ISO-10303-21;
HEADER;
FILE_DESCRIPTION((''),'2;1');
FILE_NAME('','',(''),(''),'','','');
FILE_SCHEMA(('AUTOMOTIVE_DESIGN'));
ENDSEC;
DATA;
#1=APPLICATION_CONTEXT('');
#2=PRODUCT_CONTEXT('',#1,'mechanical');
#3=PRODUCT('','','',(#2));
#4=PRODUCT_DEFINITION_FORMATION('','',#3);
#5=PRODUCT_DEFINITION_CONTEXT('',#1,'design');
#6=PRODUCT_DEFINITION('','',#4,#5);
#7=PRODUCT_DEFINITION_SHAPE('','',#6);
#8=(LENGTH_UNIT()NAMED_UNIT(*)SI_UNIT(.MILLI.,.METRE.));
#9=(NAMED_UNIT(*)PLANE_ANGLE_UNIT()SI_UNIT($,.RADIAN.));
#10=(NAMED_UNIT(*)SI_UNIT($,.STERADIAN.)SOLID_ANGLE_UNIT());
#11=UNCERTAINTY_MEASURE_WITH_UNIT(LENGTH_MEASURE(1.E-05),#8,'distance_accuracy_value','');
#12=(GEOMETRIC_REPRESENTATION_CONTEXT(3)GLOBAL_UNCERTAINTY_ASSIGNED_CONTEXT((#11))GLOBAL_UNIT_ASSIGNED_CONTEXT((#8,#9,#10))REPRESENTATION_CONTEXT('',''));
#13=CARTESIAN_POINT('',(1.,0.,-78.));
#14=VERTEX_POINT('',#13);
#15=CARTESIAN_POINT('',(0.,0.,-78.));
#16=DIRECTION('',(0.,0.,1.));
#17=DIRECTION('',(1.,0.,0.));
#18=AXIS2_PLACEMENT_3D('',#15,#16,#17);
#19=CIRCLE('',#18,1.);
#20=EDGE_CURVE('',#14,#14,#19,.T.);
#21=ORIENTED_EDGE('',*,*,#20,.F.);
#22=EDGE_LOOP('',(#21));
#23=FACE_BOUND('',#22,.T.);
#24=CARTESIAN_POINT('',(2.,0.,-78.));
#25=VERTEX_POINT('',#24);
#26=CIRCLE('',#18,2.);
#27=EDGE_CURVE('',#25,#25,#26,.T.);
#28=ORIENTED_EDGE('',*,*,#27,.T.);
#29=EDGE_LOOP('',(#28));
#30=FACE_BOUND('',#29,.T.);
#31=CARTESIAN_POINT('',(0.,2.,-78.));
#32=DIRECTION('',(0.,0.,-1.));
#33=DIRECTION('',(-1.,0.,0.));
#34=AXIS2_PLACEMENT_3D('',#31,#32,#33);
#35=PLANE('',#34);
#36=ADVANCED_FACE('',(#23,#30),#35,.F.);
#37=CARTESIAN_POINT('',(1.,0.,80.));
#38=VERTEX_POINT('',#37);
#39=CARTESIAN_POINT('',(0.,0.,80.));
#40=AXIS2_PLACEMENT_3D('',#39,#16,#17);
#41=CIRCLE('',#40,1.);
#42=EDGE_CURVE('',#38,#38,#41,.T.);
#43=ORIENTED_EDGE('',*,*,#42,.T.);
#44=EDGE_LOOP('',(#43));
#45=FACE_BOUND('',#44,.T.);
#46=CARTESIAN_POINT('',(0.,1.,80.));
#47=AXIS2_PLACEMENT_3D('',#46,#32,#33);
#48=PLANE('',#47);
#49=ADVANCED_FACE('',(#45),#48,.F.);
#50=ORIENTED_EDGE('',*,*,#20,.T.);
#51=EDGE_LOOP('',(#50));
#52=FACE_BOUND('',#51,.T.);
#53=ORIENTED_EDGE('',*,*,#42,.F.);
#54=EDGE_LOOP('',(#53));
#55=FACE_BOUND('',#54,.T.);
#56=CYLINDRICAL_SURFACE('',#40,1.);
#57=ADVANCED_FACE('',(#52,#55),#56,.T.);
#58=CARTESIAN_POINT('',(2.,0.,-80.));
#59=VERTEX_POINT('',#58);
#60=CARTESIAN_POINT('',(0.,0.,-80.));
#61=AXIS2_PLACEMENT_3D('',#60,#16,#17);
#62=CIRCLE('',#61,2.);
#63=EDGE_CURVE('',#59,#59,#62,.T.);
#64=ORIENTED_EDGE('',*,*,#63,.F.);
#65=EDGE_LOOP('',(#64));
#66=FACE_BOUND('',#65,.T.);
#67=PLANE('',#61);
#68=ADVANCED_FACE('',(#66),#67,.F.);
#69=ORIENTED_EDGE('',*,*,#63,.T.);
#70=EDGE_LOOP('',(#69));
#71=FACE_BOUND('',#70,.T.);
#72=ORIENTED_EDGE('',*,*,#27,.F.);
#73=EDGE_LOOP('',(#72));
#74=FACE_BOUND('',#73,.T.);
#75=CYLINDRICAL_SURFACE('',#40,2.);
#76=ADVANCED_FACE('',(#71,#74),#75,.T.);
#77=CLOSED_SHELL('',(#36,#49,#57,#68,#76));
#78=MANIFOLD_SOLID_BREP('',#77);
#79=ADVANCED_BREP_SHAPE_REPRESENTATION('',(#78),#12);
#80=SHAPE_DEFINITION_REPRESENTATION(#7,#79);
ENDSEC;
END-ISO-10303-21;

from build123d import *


with BuildPart() as part:
    # Sketch2 → Revolve1 (revolve)
    with BuildSketch(Plane(origin=(0, 0, 0), x_dir=(0, 0, -1), z_dir=(1, 0, 0)), mode=Mode.PRIVATE) as revolve1_sk:
        Polygon((80, 0), (80, 2), (78, 2), (78, 1), (-80, 1), (-80, 0), align=None)
    revolve(revolve1_sk.sketch.rotate(Axis((0, 0, 80), (0, 0, -1)), 90), axis=Axis((0, 0, 80), (0, 0, -1)))


solid = part.part
